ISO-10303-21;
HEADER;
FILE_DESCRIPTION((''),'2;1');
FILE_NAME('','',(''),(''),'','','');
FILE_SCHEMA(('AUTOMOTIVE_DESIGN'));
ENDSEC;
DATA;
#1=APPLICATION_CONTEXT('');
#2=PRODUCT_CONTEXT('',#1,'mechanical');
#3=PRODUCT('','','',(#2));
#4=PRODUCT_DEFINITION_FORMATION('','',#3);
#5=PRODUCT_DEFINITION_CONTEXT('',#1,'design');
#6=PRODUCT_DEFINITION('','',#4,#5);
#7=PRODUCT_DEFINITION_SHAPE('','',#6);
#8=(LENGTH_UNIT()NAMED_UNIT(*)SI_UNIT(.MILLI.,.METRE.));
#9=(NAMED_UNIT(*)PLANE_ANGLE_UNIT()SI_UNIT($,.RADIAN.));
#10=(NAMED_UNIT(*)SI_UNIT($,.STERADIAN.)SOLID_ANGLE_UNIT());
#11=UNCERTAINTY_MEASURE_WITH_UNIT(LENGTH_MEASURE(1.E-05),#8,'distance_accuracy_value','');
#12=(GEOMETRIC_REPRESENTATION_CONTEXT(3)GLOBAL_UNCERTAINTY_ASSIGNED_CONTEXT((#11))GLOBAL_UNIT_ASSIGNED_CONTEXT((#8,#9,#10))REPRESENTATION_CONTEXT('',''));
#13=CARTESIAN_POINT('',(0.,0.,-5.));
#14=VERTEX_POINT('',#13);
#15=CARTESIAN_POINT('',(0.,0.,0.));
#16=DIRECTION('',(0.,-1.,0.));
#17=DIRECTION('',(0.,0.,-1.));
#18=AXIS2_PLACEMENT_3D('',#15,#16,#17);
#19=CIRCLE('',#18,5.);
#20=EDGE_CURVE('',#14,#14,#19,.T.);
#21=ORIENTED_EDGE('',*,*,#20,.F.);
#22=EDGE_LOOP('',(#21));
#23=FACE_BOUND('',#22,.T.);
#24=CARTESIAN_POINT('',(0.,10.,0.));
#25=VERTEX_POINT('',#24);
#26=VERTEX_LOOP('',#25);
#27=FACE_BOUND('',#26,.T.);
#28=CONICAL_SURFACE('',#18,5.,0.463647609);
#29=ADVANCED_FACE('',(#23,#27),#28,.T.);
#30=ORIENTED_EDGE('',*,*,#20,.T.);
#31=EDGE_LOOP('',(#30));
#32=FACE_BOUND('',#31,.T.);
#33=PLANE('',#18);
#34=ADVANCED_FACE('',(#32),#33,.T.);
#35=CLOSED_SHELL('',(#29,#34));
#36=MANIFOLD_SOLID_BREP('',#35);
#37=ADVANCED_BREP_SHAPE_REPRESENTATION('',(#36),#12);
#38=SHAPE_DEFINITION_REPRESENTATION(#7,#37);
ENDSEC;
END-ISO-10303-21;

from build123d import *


with BuildPart() as part:
    # Sketch1 → Revolve1 (revolve)
    with BuildSketch(Plane.XY, mode=Mode.PRIVATE) as revolve1_sk:
        Polygon((0, 0), (5, 0), (0, 10), align=None)
    revolve(revolve1_sk.sketch.rotate(Axis((0, 0, 0), (0, 1, 0)), 90), axis=Axis((0, 0, 0), (0, 1, 0)))


solid = part.part
